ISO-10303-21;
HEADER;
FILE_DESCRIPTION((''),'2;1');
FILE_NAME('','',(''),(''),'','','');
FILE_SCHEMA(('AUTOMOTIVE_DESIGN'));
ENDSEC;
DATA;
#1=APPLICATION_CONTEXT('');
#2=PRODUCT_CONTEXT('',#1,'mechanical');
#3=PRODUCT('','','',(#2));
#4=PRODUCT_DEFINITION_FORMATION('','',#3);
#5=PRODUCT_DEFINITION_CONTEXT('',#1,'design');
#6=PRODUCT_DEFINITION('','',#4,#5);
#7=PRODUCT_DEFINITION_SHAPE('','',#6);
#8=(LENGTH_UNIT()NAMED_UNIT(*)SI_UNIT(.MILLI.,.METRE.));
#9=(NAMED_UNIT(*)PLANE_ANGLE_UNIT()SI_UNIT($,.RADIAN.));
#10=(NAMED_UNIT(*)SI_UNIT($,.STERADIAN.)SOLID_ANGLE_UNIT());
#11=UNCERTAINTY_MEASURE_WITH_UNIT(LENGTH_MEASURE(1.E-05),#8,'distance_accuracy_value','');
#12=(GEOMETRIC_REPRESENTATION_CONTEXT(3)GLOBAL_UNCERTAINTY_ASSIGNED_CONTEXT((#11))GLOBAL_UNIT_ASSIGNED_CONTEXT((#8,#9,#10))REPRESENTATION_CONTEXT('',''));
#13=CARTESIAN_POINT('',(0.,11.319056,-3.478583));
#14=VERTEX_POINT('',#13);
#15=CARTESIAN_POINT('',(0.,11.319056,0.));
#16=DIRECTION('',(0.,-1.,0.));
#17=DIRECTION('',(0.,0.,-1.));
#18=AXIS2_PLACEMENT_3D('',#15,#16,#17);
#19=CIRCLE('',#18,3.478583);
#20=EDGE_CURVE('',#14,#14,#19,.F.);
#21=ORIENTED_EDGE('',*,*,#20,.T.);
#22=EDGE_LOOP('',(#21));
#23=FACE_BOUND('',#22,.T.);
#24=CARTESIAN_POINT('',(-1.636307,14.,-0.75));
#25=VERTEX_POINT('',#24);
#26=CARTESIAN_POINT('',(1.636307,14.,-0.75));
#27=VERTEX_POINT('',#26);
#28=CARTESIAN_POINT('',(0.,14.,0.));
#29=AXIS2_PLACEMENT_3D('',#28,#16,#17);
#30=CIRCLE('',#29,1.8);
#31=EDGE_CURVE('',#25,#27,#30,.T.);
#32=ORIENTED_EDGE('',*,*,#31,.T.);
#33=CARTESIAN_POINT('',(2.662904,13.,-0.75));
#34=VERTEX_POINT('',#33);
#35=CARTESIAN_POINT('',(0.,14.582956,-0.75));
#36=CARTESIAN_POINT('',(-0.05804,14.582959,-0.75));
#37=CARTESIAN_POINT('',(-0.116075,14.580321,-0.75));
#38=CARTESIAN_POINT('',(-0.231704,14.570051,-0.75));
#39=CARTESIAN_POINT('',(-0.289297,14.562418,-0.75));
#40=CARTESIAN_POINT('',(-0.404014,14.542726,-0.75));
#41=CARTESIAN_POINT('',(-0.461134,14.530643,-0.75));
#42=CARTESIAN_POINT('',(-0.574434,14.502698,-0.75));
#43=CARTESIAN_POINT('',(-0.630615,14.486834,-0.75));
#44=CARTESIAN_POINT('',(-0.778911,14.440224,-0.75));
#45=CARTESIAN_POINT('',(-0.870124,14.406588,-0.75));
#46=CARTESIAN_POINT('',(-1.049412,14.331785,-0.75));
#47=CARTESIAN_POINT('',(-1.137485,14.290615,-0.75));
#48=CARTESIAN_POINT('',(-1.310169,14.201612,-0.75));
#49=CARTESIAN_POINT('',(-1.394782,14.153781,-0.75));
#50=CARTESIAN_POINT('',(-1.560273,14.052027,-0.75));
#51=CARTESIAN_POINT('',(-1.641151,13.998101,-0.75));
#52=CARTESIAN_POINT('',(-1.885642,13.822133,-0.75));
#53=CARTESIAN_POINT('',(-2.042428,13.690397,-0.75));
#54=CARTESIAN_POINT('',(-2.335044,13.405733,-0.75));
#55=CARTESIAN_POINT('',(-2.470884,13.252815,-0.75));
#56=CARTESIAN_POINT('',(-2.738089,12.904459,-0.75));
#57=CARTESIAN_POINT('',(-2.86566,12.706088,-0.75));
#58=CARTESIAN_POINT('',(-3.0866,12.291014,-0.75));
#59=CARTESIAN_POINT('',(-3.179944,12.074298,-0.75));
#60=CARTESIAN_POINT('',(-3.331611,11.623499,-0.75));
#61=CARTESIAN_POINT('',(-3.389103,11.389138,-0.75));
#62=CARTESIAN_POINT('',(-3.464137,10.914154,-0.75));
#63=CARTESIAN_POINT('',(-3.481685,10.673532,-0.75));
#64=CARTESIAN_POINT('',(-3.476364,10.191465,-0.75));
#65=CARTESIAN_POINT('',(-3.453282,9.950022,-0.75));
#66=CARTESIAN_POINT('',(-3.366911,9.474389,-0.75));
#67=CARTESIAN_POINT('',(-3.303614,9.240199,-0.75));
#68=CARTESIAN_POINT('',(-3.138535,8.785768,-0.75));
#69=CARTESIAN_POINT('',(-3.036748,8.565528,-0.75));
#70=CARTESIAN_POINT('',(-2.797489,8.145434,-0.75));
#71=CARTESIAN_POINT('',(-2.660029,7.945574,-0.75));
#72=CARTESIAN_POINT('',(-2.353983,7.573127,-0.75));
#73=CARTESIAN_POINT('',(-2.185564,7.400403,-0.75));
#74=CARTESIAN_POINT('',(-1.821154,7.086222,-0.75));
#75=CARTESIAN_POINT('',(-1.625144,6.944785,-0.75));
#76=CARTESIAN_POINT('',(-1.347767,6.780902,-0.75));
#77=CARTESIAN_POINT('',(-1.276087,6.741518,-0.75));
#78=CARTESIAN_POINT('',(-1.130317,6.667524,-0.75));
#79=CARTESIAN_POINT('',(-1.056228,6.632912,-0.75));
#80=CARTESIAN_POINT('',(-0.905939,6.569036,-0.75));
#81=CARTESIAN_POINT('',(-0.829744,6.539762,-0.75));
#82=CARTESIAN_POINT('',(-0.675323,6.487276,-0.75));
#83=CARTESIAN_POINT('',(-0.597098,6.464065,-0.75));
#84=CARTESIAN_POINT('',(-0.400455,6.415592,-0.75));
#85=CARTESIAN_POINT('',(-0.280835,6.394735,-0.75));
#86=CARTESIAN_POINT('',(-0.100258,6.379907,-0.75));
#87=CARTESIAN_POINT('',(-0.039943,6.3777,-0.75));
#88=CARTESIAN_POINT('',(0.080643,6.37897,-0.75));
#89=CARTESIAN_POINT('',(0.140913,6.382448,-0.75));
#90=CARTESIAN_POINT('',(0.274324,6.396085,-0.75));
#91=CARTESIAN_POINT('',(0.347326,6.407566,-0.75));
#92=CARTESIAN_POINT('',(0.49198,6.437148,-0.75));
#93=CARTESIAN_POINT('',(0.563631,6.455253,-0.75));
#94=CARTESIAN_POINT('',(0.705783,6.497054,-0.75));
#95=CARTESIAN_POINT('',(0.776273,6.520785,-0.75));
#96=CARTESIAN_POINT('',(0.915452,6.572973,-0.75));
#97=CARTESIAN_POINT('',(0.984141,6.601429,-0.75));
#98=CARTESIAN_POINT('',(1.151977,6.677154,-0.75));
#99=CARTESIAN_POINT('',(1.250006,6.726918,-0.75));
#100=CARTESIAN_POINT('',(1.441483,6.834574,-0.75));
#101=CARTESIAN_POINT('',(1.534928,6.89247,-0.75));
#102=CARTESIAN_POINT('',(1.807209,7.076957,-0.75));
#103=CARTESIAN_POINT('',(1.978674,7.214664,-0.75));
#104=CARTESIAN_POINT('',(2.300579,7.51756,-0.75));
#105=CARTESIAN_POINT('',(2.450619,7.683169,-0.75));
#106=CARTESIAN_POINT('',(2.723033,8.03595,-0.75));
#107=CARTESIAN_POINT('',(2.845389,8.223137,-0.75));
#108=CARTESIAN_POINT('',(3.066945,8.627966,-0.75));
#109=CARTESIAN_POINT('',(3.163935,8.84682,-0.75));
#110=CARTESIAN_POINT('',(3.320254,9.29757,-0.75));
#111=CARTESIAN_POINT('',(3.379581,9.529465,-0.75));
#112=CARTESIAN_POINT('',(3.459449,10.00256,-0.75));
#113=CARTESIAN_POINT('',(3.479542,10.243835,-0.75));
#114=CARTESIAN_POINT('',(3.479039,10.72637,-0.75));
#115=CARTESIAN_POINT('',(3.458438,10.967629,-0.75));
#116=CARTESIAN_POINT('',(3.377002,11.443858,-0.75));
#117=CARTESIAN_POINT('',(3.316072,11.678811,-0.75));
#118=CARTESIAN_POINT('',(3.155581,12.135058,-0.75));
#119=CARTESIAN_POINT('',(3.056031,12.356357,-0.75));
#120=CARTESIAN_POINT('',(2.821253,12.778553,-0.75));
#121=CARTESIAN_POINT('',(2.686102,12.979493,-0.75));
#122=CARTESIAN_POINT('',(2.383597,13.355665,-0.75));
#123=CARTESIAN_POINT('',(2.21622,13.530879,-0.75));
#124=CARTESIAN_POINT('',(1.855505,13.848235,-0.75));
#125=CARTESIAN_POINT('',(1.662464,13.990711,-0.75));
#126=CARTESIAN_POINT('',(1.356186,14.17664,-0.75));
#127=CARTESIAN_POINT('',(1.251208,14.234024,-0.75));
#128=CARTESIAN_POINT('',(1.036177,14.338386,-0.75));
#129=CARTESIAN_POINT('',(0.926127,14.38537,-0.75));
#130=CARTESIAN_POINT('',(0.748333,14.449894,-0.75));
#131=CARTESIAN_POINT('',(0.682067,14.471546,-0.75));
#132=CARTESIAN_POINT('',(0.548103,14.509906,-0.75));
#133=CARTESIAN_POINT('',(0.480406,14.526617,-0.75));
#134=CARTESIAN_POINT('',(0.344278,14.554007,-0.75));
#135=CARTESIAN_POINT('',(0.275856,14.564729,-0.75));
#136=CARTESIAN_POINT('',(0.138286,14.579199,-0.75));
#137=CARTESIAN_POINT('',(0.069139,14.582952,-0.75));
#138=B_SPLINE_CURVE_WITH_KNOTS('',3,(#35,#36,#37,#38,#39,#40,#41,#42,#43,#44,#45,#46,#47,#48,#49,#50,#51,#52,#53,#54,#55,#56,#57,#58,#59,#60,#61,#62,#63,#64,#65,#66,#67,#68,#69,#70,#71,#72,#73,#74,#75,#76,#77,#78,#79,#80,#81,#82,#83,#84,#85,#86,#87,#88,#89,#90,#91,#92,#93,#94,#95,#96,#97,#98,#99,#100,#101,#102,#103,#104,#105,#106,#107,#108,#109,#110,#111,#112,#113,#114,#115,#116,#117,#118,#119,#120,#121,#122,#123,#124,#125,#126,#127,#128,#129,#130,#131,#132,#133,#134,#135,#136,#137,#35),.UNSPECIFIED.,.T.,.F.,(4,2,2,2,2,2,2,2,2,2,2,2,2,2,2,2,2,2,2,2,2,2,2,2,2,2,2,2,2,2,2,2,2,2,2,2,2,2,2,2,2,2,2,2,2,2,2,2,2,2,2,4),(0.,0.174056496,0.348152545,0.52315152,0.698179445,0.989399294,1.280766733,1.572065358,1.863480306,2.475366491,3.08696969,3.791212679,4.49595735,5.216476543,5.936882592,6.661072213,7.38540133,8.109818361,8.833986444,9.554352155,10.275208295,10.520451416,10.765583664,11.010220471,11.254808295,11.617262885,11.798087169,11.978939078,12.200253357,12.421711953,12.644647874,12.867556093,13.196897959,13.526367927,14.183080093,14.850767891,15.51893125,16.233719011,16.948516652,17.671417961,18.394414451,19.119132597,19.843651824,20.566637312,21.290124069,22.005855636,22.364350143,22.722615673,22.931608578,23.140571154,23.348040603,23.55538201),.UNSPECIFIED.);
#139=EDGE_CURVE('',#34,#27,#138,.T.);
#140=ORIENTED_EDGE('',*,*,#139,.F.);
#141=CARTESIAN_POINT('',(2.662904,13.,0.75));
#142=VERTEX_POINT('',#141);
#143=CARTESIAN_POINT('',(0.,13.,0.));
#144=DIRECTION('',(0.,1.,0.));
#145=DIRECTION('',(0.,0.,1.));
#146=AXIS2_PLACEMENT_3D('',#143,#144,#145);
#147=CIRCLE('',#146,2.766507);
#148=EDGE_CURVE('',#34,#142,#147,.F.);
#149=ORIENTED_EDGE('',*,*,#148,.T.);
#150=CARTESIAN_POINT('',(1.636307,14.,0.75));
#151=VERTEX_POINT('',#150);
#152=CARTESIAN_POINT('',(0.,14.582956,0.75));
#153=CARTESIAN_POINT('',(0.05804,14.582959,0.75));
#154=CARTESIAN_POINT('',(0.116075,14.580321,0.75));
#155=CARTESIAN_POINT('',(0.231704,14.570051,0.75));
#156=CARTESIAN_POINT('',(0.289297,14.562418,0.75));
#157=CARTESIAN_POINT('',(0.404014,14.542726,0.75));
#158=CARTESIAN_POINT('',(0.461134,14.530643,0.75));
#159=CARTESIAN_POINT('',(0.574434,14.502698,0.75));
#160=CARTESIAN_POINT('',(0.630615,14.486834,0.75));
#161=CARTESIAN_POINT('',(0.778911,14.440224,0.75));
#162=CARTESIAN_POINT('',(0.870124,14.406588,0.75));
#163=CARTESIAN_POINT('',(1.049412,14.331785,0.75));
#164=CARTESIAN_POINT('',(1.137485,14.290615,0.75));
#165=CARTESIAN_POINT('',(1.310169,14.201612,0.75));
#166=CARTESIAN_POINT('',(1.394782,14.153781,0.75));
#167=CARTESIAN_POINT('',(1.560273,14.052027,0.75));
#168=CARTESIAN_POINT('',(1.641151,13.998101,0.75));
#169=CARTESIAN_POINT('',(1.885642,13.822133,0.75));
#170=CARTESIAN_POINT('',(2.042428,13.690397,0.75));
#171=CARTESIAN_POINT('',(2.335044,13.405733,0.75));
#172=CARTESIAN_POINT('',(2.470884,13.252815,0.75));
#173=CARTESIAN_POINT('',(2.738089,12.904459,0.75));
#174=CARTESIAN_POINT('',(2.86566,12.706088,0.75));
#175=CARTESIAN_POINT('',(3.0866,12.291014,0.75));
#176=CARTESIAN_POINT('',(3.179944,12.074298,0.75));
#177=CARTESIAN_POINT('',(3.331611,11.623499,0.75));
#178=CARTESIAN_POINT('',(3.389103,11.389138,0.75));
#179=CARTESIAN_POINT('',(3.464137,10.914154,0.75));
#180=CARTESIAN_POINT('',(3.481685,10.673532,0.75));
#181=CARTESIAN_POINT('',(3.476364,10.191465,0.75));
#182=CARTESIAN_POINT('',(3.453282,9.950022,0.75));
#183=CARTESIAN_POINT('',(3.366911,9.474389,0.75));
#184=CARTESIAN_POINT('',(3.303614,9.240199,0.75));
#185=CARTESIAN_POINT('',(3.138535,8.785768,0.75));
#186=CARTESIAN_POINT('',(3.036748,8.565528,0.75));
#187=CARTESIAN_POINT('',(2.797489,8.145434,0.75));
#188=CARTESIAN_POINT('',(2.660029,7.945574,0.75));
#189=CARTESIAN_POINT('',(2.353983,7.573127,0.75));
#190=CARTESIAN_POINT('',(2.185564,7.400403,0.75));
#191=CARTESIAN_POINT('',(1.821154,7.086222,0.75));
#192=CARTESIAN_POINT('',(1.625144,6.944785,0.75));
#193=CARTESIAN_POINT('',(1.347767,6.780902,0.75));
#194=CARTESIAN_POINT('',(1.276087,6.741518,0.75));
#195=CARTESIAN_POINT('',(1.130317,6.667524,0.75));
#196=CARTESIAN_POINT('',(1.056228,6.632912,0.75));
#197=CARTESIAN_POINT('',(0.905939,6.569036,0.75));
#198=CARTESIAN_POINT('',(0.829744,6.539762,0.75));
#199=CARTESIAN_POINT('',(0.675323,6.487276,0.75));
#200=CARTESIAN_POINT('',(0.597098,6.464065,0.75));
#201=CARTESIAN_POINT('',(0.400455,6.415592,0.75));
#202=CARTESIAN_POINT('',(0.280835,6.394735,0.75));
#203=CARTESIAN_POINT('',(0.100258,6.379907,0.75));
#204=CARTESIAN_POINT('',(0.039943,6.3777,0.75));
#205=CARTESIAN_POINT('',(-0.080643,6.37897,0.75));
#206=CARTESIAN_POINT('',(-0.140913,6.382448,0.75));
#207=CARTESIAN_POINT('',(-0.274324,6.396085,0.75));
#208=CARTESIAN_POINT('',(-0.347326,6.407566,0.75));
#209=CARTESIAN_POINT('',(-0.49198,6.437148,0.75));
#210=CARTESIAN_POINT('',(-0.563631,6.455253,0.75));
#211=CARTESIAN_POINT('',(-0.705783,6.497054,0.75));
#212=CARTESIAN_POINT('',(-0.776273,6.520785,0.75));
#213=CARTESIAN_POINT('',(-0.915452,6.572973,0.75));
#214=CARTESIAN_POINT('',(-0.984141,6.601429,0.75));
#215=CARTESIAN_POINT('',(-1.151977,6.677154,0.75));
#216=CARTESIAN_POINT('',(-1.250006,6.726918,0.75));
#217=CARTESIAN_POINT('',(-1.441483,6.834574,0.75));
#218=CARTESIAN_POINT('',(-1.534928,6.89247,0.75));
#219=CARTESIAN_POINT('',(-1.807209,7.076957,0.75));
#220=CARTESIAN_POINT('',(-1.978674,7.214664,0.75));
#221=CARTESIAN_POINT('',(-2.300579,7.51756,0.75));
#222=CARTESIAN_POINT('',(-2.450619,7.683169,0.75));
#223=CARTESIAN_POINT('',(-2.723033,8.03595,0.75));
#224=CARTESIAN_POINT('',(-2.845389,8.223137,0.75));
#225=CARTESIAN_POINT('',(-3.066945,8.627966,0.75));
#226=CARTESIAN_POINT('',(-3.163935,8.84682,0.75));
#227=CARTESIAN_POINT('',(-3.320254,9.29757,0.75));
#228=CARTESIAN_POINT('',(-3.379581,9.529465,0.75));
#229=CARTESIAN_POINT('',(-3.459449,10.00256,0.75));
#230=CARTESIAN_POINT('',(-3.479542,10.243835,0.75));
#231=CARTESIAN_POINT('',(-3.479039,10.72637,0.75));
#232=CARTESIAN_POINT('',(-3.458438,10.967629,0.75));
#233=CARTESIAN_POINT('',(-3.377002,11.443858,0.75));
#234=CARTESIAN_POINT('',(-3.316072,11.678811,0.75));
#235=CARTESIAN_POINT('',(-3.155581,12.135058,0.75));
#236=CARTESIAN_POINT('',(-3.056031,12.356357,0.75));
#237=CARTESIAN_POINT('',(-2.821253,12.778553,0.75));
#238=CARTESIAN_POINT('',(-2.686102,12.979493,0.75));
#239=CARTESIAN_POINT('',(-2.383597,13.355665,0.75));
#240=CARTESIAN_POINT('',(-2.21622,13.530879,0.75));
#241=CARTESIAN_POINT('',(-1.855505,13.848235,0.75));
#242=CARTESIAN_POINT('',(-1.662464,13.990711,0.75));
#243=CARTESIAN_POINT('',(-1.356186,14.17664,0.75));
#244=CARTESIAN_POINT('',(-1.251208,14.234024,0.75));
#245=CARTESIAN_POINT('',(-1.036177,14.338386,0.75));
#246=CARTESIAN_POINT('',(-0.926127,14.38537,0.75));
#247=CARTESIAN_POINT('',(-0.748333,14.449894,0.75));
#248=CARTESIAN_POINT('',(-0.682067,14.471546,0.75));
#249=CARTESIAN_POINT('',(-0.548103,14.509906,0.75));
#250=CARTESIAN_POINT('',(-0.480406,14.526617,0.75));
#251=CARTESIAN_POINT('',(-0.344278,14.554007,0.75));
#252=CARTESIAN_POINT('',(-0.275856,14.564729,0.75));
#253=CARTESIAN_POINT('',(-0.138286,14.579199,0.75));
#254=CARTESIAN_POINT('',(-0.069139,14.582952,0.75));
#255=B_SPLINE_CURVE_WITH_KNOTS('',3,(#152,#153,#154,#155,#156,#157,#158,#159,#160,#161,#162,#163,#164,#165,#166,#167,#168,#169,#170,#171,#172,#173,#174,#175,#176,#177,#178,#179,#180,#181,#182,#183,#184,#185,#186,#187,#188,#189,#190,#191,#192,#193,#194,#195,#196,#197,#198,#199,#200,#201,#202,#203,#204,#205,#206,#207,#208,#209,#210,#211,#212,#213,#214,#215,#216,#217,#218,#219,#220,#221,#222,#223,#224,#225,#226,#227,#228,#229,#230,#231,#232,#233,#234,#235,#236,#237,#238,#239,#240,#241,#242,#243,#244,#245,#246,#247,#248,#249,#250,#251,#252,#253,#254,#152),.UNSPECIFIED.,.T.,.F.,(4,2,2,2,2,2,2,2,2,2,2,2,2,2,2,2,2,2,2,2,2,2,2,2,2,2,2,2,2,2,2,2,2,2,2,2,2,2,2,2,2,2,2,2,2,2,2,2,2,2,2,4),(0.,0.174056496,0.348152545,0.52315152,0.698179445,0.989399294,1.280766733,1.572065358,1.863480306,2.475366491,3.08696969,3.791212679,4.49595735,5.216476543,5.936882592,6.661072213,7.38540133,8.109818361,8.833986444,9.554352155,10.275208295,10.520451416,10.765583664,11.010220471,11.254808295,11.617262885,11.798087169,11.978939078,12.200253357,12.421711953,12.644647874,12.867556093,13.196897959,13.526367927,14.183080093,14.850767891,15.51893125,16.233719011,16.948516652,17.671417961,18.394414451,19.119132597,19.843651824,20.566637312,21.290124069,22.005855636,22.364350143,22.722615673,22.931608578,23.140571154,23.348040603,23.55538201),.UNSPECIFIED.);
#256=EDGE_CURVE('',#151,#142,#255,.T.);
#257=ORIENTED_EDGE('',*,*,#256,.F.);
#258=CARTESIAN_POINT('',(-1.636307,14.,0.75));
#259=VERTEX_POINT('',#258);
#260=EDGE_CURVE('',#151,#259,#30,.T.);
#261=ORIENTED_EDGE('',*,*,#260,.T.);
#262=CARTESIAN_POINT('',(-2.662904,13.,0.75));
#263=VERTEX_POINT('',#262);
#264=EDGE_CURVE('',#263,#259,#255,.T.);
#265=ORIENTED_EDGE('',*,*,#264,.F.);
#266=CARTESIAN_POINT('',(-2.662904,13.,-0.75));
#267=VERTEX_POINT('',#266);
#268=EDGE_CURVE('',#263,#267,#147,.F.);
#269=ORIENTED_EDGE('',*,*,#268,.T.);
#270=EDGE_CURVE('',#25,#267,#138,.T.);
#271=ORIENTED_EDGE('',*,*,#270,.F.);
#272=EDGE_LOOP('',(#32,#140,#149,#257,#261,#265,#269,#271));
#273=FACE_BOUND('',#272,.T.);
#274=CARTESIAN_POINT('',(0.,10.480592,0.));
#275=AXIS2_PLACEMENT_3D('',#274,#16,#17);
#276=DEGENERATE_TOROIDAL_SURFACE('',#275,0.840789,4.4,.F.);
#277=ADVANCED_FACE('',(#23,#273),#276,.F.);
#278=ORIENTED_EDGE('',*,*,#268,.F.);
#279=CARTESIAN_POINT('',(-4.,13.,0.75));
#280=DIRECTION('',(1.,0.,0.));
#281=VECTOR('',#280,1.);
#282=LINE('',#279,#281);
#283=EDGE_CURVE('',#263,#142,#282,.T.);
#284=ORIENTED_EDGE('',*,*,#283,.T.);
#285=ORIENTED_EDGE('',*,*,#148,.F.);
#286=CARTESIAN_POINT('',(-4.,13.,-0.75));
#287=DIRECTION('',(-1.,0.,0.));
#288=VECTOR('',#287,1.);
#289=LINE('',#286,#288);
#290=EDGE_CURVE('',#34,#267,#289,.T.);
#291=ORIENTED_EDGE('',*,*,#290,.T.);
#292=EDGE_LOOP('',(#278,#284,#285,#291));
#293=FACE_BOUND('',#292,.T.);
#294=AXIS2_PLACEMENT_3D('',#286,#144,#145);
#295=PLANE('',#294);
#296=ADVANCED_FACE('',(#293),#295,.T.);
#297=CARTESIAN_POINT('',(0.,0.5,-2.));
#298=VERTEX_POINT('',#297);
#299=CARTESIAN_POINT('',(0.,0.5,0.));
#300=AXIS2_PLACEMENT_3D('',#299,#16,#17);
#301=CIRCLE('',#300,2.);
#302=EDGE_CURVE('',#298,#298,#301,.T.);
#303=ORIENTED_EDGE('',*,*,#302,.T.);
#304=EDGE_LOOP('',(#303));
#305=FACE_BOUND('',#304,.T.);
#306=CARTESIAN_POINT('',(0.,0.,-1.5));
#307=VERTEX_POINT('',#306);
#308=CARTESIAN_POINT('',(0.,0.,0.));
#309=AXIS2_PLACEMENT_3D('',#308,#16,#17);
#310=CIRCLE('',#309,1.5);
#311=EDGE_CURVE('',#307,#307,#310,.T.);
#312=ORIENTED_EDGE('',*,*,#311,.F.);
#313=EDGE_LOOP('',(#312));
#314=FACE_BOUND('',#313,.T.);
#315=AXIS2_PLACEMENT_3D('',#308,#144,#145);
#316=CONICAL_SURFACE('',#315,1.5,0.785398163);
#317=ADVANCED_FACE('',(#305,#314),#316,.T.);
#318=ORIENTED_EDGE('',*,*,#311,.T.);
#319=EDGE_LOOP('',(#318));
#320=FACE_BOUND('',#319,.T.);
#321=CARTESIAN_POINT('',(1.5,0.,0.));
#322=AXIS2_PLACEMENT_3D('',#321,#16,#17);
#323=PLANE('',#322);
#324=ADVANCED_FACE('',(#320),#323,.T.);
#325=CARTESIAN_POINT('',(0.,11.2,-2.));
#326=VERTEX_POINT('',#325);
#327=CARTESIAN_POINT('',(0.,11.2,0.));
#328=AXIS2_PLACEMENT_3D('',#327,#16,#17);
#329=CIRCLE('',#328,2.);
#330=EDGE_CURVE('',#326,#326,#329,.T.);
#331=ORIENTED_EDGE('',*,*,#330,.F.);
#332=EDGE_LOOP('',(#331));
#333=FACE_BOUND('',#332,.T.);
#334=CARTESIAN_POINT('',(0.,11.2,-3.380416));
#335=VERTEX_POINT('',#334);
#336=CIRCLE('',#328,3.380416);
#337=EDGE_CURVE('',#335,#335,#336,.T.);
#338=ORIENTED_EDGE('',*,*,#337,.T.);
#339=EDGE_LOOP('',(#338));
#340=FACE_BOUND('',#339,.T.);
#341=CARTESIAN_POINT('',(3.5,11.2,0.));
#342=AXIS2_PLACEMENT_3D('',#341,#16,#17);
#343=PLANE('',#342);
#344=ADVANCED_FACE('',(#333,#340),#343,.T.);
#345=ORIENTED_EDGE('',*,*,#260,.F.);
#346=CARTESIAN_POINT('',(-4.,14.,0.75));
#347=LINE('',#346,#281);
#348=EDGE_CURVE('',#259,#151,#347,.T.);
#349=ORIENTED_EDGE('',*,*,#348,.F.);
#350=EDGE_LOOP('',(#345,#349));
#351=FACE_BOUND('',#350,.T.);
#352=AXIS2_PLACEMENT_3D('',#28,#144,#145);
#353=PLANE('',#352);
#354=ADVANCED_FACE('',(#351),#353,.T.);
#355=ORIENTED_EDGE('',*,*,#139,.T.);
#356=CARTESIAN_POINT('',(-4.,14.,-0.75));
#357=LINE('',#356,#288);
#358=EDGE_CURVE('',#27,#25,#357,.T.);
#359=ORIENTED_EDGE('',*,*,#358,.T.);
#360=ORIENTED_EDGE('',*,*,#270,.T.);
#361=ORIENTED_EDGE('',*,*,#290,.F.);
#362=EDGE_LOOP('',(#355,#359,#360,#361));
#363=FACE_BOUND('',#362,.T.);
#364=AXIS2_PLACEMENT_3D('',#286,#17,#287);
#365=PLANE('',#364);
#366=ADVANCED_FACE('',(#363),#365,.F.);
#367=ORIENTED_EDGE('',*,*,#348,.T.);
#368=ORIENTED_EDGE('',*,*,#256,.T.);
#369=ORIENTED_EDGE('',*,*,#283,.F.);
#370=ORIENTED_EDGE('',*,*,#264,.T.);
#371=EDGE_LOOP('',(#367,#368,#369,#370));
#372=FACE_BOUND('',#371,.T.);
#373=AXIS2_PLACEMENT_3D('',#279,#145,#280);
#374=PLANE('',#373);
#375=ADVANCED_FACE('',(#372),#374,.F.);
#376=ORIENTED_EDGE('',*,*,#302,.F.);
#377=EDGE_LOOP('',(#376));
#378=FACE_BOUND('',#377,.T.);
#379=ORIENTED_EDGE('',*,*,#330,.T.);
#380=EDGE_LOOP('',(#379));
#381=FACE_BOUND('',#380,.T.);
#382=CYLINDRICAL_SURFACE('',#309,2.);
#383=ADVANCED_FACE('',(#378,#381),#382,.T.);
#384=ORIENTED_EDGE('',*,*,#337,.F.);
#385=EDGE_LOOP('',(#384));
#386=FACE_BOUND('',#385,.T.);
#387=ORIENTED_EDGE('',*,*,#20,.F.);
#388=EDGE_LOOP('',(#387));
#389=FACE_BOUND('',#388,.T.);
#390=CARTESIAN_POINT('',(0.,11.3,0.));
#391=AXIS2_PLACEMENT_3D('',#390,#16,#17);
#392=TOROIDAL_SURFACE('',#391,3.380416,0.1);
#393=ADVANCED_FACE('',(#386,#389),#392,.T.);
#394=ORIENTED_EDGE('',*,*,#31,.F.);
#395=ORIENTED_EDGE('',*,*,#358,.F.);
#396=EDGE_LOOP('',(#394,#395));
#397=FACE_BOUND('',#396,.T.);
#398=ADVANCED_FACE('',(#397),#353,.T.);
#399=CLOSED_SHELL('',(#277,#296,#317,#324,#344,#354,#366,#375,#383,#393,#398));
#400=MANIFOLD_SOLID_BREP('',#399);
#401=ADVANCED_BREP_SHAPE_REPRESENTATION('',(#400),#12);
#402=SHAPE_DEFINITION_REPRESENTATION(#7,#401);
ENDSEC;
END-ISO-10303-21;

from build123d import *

# Parameters (mm, degrees)
FILLET_1_R          = 0.1
SKETCH_3_W          = 8
SKETCH_3_H          = 1.5
CUT_EXTRUDE_2_DEPTH = 1


with BuildPart() as part:
    # Эскиз1 → Повернуть1 (revolve)
    with BuildSketch(Plane.XY):
        with BuildLine():
            Line((3.5, 11.2), (2, 11.2))
            Line((2, 11.2), (2, 0.5))
            Line((2, 0.5), (1.5, 0))
            Line((1.5, 0), (0, 0))
            Line((0, 0), (0, 14))
            Line((0, 14), (1.8, 14))
            ThreePointArc((1.8, 14), (2.920275695, 12.764095958), (3.5, 11.2))
        make_face()
    revolve(axis=Axis((0, 0, 0), (0, 1, 0)))

    # Скругление1
    fillet_1_edges = [part.edges().sort_by_distance(p)[0] for p in [
        (-3.5, 11.2, 0),
    ]]
    fillet(fillet_1_edges, radius=FILLET_1_R)

    # Эскиз3 → Вырез-Вытянуть2 (cut)
    with BuildSketch(Plane(origin=(0, 14, 0), x_dir=(-1, 0, 0), z_dir=(0, 1, 0))):
        Rectangle(SKETCH_3_W, SKETCH_3_H)
    extrude(amount=-CUT_EXTRUDE_2_DEPTH, mode=Mode.SUBTRACT)


solid = part.part
